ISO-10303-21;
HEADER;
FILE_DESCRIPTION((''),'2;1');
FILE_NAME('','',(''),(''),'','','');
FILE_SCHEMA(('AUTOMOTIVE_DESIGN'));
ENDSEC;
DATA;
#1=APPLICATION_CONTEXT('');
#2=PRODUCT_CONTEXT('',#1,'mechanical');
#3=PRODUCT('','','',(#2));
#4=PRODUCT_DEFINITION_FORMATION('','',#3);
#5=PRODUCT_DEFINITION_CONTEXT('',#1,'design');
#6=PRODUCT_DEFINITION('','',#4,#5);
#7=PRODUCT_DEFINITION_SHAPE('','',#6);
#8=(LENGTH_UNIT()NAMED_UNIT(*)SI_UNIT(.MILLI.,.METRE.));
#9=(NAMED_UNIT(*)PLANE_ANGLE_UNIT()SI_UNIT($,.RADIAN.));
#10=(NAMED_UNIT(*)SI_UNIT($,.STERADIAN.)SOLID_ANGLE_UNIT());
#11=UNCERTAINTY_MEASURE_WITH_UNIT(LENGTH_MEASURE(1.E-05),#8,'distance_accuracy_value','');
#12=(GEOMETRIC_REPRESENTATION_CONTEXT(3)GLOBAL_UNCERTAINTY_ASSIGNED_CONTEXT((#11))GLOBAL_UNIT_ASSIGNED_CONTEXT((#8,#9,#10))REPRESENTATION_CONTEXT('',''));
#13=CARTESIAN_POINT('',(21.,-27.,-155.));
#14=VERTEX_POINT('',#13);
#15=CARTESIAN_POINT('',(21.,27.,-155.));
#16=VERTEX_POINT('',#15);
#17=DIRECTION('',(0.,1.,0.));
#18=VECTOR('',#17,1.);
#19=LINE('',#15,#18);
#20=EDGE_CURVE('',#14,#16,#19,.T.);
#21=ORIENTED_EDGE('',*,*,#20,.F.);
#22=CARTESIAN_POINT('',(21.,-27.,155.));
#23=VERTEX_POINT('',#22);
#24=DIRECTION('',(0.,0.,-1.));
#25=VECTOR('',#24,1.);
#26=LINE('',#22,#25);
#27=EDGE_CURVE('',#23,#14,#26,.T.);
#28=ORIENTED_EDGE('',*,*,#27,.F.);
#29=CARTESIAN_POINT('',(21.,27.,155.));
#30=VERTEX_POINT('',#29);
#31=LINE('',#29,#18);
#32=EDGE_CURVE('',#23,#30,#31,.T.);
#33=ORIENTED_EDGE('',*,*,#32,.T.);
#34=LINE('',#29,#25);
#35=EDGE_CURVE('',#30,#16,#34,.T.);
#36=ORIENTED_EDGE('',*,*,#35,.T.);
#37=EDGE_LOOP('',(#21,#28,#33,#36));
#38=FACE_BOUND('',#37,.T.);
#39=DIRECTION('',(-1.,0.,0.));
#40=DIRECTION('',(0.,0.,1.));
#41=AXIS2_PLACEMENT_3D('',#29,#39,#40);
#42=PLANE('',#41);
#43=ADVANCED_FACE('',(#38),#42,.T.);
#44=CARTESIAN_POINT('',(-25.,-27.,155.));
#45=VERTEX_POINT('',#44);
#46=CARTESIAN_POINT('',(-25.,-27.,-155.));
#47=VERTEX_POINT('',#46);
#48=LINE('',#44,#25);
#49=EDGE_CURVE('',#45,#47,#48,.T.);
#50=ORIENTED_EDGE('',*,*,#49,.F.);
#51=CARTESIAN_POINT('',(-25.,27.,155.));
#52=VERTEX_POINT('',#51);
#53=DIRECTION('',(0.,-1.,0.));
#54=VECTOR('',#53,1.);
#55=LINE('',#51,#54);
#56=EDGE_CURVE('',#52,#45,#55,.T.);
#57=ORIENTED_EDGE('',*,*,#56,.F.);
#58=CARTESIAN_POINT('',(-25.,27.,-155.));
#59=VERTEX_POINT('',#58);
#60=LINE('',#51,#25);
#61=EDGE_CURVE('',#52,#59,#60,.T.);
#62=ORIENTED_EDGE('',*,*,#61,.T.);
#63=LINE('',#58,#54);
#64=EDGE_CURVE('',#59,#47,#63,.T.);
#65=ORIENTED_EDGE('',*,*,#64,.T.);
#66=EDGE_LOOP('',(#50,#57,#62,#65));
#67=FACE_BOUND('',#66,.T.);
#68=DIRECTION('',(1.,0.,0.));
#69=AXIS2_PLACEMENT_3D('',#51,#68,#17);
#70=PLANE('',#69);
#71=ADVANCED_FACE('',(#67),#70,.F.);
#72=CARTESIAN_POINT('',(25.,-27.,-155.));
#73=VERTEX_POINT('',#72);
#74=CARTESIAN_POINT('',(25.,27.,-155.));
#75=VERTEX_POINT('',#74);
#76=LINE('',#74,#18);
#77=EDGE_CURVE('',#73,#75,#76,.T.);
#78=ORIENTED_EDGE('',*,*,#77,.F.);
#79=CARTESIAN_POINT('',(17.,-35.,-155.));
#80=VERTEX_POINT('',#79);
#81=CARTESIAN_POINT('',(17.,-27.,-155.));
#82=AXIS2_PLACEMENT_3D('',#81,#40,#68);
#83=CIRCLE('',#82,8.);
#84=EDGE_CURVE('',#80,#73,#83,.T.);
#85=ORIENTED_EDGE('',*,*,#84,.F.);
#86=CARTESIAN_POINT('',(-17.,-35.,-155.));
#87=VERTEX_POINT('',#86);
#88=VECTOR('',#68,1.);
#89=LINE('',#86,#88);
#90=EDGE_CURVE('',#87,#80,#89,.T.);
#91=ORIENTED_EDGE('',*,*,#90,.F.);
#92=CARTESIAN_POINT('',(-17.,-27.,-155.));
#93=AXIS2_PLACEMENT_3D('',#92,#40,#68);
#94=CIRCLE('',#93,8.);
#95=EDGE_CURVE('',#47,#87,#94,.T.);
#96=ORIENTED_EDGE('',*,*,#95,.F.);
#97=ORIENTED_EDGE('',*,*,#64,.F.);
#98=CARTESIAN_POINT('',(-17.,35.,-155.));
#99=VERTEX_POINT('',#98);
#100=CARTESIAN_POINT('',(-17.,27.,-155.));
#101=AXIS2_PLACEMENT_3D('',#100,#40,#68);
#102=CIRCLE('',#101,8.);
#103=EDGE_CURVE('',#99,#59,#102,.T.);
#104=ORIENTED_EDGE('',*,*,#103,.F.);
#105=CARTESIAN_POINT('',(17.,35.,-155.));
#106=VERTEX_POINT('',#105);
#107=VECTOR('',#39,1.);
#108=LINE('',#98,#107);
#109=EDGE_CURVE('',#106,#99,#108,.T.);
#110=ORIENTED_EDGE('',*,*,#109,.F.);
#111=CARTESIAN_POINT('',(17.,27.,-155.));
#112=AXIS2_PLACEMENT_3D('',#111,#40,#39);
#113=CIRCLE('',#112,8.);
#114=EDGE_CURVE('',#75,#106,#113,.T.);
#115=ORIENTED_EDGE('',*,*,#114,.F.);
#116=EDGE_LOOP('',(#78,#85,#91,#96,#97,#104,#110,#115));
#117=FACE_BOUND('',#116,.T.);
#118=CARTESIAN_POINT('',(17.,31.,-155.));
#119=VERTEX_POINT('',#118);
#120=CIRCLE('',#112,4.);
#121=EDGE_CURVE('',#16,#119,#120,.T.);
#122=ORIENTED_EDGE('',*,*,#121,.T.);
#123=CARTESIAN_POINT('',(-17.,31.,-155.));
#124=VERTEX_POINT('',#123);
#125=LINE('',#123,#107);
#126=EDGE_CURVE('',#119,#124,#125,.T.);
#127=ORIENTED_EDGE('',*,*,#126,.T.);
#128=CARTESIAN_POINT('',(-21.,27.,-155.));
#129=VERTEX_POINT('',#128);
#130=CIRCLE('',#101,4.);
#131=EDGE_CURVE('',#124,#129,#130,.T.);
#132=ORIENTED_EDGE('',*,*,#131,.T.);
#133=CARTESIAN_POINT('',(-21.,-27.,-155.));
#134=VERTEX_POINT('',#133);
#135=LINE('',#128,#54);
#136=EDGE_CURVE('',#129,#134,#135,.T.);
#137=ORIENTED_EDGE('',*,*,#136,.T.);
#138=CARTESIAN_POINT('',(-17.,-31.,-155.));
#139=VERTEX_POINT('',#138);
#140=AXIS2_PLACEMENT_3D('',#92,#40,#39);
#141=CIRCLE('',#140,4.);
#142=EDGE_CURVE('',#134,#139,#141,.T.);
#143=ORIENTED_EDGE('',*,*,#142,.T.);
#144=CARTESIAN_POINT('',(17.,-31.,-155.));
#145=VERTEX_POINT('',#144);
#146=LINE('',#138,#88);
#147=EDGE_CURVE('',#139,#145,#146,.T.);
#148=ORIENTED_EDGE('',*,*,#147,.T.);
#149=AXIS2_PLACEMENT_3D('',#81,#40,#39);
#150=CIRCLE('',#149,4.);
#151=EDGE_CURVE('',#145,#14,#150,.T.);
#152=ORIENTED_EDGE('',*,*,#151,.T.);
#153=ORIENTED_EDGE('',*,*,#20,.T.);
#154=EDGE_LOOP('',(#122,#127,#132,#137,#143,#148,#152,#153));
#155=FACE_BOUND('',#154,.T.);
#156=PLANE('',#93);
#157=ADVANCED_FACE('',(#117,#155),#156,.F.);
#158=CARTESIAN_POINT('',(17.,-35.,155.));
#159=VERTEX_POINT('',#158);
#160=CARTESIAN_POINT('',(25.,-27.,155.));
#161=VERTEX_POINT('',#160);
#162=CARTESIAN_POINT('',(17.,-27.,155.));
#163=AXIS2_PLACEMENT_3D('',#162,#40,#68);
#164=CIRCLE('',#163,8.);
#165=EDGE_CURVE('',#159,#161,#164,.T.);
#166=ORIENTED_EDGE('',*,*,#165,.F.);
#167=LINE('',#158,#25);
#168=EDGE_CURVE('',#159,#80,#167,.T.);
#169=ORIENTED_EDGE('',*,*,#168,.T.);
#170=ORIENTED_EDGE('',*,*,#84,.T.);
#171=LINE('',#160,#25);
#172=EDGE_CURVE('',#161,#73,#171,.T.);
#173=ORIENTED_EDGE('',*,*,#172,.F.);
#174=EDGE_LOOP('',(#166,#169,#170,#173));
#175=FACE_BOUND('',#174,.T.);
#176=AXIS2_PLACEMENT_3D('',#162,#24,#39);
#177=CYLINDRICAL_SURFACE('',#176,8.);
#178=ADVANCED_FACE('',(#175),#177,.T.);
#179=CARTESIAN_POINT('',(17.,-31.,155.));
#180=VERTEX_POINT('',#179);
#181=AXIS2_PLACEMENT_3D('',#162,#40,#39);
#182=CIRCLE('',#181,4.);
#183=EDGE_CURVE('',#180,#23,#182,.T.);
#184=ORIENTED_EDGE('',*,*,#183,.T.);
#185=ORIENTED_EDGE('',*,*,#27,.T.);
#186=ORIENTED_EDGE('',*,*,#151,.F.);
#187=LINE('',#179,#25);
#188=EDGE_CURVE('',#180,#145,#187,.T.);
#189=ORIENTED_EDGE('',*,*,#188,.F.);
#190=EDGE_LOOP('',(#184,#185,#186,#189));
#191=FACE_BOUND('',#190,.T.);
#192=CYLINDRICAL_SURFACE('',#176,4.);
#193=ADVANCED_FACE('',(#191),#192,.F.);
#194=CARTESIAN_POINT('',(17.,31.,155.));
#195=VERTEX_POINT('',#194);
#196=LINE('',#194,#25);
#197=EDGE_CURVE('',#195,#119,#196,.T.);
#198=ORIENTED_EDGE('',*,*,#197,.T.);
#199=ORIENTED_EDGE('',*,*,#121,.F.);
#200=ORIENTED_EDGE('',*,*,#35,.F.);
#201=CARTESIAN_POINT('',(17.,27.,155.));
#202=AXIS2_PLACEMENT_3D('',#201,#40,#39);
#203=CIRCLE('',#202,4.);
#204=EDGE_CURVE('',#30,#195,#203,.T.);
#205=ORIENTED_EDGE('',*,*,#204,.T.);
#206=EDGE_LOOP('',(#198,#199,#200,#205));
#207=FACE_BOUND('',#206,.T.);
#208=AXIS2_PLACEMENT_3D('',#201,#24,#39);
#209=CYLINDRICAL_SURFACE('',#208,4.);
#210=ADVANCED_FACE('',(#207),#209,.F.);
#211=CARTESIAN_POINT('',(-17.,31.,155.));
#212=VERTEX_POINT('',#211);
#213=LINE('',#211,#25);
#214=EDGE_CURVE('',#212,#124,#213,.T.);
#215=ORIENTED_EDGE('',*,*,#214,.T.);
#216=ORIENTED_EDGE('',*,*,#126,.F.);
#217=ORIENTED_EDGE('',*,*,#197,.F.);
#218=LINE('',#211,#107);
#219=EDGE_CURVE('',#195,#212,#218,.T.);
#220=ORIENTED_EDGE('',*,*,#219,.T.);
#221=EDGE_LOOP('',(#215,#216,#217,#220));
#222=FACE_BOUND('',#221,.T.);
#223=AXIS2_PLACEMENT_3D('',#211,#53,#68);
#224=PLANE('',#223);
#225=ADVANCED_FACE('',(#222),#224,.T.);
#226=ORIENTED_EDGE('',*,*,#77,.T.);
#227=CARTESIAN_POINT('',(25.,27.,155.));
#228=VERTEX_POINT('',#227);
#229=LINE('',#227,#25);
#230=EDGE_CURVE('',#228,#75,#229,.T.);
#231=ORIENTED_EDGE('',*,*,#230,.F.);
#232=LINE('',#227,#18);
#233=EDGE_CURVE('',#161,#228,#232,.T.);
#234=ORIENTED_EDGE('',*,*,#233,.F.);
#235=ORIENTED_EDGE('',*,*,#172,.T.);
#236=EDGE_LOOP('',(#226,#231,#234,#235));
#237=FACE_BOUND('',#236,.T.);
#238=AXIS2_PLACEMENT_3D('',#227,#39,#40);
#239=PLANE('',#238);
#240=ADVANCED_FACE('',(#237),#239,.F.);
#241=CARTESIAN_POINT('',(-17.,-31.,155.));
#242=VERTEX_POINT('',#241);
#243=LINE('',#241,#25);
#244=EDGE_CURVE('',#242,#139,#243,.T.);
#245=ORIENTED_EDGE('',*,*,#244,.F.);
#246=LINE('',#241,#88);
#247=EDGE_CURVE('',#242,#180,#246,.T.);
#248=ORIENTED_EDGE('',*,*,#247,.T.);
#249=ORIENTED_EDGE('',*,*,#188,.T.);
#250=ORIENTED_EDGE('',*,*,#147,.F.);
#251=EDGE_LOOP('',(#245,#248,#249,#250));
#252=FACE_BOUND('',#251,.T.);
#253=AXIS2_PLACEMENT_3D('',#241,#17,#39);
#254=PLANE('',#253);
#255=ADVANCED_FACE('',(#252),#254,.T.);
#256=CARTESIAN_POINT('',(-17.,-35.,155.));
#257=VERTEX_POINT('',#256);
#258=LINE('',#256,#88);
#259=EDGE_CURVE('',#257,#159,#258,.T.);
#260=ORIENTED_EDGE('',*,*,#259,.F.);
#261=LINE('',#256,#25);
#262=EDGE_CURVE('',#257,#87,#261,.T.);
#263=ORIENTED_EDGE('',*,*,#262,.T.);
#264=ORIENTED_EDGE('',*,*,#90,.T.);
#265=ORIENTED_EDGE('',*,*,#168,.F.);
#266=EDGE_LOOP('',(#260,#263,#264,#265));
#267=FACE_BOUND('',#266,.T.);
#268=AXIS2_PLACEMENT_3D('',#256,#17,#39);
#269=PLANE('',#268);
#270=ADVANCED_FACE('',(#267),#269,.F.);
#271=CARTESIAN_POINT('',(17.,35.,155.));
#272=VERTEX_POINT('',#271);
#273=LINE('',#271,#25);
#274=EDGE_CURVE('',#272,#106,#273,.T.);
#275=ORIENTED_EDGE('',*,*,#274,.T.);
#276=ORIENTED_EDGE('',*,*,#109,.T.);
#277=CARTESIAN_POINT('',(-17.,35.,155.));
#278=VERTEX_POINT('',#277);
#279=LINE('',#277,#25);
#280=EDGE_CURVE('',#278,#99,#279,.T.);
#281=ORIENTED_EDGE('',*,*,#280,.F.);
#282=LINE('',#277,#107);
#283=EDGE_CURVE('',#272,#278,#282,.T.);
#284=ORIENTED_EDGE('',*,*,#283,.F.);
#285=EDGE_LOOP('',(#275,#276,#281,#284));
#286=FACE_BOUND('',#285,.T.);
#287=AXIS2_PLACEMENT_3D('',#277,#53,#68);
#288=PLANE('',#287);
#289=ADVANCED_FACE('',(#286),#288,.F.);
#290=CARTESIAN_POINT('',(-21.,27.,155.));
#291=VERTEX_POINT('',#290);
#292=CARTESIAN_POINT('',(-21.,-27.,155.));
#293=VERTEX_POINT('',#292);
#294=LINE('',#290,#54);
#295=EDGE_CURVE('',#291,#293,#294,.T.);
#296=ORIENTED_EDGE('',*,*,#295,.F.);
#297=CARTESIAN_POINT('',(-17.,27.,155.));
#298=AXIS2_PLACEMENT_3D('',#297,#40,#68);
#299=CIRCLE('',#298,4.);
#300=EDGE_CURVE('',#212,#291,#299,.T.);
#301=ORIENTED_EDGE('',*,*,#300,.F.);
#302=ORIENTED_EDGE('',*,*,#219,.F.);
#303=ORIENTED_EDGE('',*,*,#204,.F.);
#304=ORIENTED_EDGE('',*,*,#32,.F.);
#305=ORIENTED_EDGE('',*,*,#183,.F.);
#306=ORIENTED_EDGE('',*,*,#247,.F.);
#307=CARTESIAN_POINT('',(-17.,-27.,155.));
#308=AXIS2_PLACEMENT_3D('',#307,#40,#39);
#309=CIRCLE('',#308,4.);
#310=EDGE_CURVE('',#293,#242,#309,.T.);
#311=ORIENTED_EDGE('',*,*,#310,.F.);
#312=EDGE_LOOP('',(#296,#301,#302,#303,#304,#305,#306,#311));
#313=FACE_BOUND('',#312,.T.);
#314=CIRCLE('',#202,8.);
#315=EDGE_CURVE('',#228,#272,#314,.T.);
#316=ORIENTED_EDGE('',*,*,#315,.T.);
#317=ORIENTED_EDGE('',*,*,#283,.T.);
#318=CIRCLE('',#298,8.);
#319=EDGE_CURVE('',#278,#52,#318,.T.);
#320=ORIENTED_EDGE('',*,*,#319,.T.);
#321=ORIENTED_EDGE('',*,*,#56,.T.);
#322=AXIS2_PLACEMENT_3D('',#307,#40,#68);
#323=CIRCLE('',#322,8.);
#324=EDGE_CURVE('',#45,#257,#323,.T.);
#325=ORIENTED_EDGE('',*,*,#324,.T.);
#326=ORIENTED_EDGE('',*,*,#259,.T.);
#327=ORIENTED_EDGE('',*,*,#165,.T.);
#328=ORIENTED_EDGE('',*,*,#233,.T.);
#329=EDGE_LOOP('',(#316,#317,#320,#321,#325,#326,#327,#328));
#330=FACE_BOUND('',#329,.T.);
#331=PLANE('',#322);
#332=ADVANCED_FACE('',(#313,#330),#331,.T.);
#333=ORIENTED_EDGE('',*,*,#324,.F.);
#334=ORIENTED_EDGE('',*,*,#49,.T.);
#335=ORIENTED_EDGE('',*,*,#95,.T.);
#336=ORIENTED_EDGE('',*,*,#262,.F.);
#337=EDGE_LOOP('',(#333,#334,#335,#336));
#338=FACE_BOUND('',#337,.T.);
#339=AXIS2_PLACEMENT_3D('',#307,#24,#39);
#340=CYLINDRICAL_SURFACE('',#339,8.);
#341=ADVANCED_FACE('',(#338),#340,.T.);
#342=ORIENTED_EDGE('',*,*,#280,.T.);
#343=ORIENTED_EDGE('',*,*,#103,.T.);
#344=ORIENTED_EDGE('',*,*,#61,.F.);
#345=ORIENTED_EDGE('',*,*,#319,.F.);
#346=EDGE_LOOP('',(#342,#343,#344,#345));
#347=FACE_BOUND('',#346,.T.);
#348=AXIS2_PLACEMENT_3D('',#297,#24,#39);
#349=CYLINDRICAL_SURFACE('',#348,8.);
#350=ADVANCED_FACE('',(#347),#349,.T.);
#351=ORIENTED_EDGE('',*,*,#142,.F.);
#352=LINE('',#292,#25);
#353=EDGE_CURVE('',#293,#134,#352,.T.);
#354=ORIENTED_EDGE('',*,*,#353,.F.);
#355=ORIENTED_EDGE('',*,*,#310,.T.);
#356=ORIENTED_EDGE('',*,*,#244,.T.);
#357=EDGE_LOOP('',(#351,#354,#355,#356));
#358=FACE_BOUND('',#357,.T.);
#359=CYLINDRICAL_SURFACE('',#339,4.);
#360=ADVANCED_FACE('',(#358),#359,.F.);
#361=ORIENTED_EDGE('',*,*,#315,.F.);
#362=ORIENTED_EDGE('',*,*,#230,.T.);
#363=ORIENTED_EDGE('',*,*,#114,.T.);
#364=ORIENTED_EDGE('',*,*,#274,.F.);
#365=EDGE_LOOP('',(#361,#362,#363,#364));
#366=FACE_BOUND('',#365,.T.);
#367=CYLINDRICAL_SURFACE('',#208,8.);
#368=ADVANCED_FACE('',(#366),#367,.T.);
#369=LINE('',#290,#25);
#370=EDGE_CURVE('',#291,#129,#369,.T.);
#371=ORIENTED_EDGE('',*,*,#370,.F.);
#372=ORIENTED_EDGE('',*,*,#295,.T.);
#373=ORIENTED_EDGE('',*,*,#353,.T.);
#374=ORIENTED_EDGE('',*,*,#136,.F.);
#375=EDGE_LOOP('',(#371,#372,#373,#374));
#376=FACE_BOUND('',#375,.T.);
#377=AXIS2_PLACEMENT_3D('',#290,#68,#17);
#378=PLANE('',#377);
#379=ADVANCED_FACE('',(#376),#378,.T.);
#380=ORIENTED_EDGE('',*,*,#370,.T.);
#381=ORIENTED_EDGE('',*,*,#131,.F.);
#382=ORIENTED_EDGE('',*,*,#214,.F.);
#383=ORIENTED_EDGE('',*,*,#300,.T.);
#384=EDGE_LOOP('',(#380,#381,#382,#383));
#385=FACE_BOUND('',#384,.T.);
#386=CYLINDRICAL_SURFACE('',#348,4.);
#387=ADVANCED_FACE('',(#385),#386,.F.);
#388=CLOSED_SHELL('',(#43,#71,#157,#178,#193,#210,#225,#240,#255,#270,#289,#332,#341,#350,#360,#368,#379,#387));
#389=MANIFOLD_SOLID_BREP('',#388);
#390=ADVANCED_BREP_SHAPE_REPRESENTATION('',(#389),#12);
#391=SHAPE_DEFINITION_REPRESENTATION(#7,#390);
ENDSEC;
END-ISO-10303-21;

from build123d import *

# Parameters (mm, degrees)
EXTRUDE_1_DEPTH = 155


with BuildPart() as part:
    # Sketch 186 → 凸台-拉伸1 (new, symmetric)
    with BuildSketch(Plane.XY):
        with BuildLine():
            Line((-17, 35), (17, 35))
            ThreePointArc((17, 35), (22.656854249, 32.656854249), (25, 27))
            Line((25, 27), (25, -27))
            ThreePointArc((25, -27), (22.656854249, -32.656854249), (17, -35))
            Line((17, -35), (-17, -35))
            ThreePointArc((-17, -35), (-22.656854249, -32.656854249), (-25, -27))
            Line((-25, -27), (-25, 27))
            ThreePointArc((-25, 27), (-22.656854249, 32.656854249), (-17, 35))
        make_face()
        with BuildLine():
            Line((-17, 31), (17, 31))
            ThreePointArc((17, 31), (19.828427125, 29.828427125), (21, 27))
            Line((21, 27), (21, -27))
            ThreePointArc((21, -27), (19.828427125, -29.828427125), (17, -31))
            Line((17, -31), (-17, -31))
            ThreePointArc((-17, -31), (-19.828427125, -29.828427125), (-21, -27))
            Line((-21, -27), (-21, 27))
            ThreePointArc((-21, 27), (-19.828427125, 29.828427125), (-17, 31))
        make_face(mode=Mode.SUBTRACT)
    extrude(amount=EXTRUDE_1_DEPTH, both=True)


solid = part.part
